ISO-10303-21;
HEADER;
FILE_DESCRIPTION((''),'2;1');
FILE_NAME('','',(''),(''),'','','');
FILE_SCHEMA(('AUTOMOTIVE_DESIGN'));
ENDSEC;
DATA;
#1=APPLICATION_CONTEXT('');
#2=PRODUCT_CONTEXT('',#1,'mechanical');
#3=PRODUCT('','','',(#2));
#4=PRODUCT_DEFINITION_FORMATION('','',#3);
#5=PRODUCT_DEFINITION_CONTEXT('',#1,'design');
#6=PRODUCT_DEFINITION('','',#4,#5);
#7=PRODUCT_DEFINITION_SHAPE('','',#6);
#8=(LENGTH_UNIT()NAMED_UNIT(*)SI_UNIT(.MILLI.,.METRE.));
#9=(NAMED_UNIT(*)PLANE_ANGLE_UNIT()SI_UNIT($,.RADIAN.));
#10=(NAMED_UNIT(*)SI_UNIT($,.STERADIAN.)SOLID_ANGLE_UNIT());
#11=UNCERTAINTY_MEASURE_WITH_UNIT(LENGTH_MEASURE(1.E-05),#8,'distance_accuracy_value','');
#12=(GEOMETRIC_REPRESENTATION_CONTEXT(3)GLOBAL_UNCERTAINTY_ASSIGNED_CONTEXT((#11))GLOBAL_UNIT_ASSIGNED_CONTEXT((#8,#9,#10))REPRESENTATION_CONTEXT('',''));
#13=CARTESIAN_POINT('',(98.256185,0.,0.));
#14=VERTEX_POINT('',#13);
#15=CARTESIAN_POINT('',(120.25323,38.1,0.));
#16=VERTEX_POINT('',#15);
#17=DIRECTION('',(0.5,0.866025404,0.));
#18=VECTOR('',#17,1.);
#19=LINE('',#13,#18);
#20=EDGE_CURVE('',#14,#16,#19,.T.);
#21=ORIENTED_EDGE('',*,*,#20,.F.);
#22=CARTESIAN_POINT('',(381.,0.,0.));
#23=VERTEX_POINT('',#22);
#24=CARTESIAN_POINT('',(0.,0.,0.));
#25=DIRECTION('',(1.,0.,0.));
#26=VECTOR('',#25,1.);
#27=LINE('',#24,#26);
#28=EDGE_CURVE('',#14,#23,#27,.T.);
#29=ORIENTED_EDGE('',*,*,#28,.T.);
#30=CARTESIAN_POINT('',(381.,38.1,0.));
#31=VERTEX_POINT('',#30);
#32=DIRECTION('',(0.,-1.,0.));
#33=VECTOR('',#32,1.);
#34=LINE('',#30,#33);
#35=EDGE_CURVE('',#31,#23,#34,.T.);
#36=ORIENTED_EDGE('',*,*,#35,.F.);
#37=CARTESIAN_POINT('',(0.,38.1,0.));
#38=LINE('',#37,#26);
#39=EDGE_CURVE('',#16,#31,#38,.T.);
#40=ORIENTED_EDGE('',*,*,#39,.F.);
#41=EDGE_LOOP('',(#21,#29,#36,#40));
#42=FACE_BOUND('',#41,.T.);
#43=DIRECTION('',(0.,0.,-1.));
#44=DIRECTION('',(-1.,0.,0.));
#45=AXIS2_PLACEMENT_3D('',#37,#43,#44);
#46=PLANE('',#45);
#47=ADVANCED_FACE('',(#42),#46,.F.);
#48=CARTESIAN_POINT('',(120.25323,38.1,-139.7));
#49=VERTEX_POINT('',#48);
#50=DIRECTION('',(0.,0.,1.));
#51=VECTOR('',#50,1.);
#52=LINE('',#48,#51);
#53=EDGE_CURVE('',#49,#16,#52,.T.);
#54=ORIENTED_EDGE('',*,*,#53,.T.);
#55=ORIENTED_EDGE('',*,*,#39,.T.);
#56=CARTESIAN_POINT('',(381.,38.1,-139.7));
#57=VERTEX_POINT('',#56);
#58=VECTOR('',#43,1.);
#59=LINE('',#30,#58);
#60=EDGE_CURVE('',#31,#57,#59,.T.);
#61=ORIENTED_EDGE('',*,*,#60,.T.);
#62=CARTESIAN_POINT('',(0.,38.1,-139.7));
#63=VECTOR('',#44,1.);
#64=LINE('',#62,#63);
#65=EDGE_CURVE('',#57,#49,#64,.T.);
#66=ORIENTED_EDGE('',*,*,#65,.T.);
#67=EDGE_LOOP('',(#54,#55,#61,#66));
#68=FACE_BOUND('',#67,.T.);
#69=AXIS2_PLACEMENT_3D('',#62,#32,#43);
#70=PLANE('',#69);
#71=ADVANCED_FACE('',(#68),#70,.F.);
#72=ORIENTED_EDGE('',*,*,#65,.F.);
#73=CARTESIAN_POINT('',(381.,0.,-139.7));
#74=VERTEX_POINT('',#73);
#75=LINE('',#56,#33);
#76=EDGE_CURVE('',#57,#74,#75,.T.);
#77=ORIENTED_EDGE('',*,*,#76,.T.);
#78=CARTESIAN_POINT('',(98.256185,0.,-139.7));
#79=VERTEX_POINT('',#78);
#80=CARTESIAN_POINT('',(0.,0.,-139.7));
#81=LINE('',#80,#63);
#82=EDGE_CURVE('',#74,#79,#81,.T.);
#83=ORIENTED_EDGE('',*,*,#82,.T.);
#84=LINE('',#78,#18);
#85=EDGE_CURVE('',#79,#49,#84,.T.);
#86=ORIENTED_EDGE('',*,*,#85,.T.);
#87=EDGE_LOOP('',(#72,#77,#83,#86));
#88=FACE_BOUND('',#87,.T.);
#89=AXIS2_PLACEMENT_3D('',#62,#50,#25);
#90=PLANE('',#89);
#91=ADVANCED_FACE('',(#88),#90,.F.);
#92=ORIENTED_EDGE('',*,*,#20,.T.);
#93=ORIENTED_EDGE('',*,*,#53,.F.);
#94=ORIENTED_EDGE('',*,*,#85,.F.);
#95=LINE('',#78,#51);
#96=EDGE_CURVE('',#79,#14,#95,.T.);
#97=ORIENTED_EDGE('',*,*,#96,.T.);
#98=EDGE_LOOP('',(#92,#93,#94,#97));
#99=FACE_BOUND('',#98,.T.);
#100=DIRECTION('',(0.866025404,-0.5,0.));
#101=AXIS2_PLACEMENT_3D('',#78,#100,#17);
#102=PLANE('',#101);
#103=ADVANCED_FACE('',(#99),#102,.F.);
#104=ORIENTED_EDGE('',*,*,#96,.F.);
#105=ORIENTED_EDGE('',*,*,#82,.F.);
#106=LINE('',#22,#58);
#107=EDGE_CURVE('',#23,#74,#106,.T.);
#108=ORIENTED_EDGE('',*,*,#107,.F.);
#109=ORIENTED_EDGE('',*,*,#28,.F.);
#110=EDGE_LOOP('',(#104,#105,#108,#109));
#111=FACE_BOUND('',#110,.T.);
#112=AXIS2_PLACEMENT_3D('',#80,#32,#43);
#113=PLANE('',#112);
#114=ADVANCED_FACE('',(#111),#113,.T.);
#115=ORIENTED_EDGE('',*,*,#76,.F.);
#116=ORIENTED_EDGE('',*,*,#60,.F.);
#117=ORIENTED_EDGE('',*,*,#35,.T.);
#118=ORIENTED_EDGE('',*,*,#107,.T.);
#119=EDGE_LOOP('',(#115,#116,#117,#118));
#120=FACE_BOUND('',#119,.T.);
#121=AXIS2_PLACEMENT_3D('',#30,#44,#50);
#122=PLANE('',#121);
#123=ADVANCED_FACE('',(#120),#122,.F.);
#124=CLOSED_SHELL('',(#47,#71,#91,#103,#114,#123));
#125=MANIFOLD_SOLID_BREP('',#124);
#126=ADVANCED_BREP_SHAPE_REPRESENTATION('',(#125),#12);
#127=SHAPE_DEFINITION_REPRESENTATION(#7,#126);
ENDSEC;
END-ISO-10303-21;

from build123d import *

# Parameters (mm, degrees)
SKETCH1_W           = 381
SKETCH1_H           = 139.7
BOSS_EXTRUDE1_DEPTH = 38.1
CUT_EXTRUDE2_DEPTH  = 140.7


with BuildPart() as part:
    # Sketch1 → Boss-Extrude1 (new body)
    with BuildSketch(Plane(origin=(0, 0, 0), x_dir=(1, 0, 0), z_dir=(0, 1, 0))):
        with Locations((190.5, 69.85)):
            Rectangle(SKETCH1_W, SKETCH1_H)
    extrude(amount=BOSS_EXTRUDE1_DEPTH)

    # Sketch2 → Cut-Extrude2 (cut, through all)
    with BuildSketch(Plane.XY):
        Polygon((98.256184637, 0), (120.253229893, 38.1), (0, 38.1), (0, 0), align=None)
    extrude(amount=-CUT_EXTRUDE2_DEPTH, mode=Mode.SUBTRACT)


solid = part.part
